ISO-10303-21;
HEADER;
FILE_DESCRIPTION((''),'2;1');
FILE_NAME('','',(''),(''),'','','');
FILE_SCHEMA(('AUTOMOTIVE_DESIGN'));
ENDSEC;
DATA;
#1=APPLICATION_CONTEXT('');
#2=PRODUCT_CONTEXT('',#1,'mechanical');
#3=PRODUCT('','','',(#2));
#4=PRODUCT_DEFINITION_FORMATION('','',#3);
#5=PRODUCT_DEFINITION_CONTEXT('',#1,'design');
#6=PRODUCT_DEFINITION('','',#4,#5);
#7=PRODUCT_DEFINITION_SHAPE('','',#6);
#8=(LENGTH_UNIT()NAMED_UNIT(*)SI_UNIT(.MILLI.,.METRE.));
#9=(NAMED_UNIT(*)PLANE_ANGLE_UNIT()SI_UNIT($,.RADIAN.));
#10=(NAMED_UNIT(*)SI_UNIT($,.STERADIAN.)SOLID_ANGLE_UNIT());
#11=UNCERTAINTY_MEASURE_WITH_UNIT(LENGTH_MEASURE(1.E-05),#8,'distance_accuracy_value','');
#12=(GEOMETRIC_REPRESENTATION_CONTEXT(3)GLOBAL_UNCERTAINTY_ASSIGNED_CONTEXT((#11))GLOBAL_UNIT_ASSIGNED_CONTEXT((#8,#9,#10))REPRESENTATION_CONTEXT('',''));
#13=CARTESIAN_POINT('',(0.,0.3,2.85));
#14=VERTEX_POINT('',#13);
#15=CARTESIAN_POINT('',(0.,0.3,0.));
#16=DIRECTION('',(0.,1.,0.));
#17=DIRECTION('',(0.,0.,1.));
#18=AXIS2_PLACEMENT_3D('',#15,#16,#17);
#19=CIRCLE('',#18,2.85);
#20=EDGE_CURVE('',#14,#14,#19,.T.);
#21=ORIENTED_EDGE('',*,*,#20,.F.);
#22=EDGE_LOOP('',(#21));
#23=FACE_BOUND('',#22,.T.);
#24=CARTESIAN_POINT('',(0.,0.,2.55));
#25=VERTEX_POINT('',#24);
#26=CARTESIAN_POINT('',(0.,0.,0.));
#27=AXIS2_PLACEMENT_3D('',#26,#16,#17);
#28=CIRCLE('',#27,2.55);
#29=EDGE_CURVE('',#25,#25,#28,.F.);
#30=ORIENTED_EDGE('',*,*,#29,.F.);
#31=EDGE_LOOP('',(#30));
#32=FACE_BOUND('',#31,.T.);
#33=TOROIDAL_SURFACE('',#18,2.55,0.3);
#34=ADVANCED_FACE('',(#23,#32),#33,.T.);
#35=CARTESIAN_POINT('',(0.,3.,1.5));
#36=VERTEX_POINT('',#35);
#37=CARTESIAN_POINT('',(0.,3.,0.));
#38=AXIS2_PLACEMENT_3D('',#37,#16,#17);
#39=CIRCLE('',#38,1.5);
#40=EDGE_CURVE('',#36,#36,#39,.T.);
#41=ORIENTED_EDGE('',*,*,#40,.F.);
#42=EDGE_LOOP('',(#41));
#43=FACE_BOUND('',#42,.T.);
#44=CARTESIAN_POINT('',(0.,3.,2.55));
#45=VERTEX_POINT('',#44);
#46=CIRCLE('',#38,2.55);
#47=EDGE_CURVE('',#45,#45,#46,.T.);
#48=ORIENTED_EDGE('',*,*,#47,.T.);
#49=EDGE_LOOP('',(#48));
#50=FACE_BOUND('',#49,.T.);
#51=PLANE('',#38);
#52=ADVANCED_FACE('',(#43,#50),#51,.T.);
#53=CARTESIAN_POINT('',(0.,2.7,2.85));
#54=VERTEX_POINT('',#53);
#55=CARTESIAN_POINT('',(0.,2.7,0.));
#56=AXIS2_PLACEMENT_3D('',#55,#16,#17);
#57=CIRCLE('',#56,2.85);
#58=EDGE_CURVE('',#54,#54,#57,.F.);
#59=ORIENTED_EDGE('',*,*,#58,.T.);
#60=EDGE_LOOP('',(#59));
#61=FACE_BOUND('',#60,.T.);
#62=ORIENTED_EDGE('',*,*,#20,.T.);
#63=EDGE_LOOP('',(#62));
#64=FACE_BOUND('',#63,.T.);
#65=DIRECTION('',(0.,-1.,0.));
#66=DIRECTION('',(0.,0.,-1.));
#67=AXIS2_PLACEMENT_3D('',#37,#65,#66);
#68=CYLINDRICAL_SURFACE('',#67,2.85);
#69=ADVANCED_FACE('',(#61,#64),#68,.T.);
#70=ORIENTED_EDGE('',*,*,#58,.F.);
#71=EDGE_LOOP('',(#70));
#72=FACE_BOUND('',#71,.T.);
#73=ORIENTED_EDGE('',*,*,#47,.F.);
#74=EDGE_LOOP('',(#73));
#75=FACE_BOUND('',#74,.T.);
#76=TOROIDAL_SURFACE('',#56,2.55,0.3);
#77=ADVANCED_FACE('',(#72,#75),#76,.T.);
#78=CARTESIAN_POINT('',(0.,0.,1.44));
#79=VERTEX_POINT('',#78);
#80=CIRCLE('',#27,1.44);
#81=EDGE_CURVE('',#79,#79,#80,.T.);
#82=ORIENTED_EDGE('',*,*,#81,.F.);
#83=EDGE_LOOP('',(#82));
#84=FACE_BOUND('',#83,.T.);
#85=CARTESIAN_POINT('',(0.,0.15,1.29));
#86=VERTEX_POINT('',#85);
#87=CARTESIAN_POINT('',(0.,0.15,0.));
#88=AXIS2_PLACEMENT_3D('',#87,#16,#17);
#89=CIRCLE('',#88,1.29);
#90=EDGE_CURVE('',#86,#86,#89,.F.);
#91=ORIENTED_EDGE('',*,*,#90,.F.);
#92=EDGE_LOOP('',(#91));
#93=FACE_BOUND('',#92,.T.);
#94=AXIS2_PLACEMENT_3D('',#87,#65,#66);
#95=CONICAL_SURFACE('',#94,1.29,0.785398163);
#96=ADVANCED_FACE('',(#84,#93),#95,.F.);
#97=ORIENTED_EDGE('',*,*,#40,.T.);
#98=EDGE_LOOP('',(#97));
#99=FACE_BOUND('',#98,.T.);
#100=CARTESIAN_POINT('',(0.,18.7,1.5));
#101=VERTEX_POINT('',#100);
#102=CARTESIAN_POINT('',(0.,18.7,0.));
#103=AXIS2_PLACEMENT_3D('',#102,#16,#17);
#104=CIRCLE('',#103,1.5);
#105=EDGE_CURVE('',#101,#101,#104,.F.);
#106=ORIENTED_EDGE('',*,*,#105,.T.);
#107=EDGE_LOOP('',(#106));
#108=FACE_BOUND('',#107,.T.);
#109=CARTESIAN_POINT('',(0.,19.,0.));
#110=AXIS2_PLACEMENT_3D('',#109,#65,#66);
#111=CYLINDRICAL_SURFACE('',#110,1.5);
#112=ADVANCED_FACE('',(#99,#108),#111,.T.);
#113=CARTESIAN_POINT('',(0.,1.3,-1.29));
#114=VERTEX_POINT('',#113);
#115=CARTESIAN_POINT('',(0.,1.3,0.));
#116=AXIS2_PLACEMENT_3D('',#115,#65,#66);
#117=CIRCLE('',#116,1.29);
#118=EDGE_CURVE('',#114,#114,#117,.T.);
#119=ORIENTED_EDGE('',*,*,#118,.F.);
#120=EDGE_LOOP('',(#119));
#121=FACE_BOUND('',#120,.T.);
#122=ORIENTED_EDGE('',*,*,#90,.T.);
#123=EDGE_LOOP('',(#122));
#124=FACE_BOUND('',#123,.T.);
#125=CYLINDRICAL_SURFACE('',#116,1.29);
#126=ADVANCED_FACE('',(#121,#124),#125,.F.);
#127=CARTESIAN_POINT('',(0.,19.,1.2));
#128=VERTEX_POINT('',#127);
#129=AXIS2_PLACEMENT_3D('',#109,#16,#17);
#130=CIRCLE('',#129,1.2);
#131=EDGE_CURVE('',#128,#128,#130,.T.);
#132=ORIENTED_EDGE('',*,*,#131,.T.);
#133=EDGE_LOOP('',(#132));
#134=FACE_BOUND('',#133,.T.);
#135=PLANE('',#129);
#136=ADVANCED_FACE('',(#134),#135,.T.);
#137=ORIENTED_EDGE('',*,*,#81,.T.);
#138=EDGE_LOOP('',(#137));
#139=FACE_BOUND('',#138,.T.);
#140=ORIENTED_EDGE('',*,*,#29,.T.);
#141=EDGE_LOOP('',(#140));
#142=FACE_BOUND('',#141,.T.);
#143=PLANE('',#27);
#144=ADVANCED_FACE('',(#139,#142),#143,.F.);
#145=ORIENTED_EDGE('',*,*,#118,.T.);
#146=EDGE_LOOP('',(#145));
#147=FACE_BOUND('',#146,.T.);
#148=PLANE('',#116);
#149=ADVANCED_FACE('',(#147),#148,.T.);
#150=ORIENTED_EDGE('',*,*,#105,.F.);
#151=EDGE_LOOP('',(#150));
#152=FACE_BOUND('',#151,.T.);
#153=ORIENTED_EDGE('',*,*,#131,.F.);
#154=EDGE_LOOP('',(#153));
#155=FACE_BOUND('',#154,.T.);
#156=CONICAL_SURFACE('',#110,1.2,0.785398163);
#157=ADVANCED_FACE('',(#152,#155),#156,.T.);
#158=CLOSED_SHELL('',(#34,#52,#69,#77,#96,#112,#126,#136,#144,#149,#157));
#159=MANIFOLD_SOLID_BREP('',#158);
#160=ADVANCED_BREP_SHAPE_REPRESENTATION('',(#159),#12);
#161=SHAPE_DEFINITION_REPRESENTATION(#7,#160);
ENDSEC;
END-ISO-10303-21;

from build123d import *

# Parameters (mm, degrees)
SKETCH_1_R          = 2.85
EXTRUDE_1_DEPTH     = 3
SKETCH_2_R          = 1.5
EXTRUDE_2_DEPTH     = 16
SKETCH_3_R          = 1.29
CUT_EXTRUDE_1_DEPTH = 1.3
FILLET_1_R          = 0.3
CHAMFER_1_SIZE      = 0.3
CHAMFER_2_SIZE      = 0.15


with BuildPart() as part:
    # 草图1 → 凸台-拉伸1 (new body)
    with BuildSketch(Plane(origin=(0, 0, 0), x_dir=(1, 0, 0), z_dir=(0, 1, 0))):
        with Locations(Location((0, 0, 0), (0, 0, 270))):
            Circle(SKETCH_1_R)
    extrude(amount=EXTRUDE_1_DEPTH)

    # 草图2 → 凸台-拉伸2 (add)
    with BuildSketch(Plane(origin=(0, 3, 0), x_dir=(1, 0, 0), z_dir=(0, 1, 0))):
        with Locations(Location((0, 0, 0), (0, 0, 270))):
            Circle(SKETCH_2_R)
    extrude(amount=EXTRUDE_2_DEPTH)

    # 草图3 → 切除-拉伸1 (cut)
    with BuildSketch(Plane.XZ):
        with Locations(Location((0, 0, 0), (0, 0, 270))):
            Circle(SKETCH_3_R)
    extrude(amount=-CUT_EXTRUDE_1_DEPTH, mode=Mode.SUBTRACT)

    # 圆角1
    fillet_1_edges = [part.edges().sort_by_distance(p)[0] for p in [
        (0, 0, -2.85),
        (0, 3, -2.85),
    ]]
    fillet(fillet_1_edges, radius=FILLET_1_R)

    # 倒角1
    chamfer_1_edges = [part.edges().sort_by_distance(p)[0] for p in [
        (0, 19, -1.5),
    ]]
    chamfer(chamfer_1_edges, length=CHAMFER_1_SIZE)

    # 倒角2
    chamfer_2_edges = [part.edges().sort_by_distance(p)[0] for p in [
        (0, 0, 1.29),
    ]]
    chamfer(chamfer_2_edges, length=CHAMFER_2_SIZE)


solid = part.part
